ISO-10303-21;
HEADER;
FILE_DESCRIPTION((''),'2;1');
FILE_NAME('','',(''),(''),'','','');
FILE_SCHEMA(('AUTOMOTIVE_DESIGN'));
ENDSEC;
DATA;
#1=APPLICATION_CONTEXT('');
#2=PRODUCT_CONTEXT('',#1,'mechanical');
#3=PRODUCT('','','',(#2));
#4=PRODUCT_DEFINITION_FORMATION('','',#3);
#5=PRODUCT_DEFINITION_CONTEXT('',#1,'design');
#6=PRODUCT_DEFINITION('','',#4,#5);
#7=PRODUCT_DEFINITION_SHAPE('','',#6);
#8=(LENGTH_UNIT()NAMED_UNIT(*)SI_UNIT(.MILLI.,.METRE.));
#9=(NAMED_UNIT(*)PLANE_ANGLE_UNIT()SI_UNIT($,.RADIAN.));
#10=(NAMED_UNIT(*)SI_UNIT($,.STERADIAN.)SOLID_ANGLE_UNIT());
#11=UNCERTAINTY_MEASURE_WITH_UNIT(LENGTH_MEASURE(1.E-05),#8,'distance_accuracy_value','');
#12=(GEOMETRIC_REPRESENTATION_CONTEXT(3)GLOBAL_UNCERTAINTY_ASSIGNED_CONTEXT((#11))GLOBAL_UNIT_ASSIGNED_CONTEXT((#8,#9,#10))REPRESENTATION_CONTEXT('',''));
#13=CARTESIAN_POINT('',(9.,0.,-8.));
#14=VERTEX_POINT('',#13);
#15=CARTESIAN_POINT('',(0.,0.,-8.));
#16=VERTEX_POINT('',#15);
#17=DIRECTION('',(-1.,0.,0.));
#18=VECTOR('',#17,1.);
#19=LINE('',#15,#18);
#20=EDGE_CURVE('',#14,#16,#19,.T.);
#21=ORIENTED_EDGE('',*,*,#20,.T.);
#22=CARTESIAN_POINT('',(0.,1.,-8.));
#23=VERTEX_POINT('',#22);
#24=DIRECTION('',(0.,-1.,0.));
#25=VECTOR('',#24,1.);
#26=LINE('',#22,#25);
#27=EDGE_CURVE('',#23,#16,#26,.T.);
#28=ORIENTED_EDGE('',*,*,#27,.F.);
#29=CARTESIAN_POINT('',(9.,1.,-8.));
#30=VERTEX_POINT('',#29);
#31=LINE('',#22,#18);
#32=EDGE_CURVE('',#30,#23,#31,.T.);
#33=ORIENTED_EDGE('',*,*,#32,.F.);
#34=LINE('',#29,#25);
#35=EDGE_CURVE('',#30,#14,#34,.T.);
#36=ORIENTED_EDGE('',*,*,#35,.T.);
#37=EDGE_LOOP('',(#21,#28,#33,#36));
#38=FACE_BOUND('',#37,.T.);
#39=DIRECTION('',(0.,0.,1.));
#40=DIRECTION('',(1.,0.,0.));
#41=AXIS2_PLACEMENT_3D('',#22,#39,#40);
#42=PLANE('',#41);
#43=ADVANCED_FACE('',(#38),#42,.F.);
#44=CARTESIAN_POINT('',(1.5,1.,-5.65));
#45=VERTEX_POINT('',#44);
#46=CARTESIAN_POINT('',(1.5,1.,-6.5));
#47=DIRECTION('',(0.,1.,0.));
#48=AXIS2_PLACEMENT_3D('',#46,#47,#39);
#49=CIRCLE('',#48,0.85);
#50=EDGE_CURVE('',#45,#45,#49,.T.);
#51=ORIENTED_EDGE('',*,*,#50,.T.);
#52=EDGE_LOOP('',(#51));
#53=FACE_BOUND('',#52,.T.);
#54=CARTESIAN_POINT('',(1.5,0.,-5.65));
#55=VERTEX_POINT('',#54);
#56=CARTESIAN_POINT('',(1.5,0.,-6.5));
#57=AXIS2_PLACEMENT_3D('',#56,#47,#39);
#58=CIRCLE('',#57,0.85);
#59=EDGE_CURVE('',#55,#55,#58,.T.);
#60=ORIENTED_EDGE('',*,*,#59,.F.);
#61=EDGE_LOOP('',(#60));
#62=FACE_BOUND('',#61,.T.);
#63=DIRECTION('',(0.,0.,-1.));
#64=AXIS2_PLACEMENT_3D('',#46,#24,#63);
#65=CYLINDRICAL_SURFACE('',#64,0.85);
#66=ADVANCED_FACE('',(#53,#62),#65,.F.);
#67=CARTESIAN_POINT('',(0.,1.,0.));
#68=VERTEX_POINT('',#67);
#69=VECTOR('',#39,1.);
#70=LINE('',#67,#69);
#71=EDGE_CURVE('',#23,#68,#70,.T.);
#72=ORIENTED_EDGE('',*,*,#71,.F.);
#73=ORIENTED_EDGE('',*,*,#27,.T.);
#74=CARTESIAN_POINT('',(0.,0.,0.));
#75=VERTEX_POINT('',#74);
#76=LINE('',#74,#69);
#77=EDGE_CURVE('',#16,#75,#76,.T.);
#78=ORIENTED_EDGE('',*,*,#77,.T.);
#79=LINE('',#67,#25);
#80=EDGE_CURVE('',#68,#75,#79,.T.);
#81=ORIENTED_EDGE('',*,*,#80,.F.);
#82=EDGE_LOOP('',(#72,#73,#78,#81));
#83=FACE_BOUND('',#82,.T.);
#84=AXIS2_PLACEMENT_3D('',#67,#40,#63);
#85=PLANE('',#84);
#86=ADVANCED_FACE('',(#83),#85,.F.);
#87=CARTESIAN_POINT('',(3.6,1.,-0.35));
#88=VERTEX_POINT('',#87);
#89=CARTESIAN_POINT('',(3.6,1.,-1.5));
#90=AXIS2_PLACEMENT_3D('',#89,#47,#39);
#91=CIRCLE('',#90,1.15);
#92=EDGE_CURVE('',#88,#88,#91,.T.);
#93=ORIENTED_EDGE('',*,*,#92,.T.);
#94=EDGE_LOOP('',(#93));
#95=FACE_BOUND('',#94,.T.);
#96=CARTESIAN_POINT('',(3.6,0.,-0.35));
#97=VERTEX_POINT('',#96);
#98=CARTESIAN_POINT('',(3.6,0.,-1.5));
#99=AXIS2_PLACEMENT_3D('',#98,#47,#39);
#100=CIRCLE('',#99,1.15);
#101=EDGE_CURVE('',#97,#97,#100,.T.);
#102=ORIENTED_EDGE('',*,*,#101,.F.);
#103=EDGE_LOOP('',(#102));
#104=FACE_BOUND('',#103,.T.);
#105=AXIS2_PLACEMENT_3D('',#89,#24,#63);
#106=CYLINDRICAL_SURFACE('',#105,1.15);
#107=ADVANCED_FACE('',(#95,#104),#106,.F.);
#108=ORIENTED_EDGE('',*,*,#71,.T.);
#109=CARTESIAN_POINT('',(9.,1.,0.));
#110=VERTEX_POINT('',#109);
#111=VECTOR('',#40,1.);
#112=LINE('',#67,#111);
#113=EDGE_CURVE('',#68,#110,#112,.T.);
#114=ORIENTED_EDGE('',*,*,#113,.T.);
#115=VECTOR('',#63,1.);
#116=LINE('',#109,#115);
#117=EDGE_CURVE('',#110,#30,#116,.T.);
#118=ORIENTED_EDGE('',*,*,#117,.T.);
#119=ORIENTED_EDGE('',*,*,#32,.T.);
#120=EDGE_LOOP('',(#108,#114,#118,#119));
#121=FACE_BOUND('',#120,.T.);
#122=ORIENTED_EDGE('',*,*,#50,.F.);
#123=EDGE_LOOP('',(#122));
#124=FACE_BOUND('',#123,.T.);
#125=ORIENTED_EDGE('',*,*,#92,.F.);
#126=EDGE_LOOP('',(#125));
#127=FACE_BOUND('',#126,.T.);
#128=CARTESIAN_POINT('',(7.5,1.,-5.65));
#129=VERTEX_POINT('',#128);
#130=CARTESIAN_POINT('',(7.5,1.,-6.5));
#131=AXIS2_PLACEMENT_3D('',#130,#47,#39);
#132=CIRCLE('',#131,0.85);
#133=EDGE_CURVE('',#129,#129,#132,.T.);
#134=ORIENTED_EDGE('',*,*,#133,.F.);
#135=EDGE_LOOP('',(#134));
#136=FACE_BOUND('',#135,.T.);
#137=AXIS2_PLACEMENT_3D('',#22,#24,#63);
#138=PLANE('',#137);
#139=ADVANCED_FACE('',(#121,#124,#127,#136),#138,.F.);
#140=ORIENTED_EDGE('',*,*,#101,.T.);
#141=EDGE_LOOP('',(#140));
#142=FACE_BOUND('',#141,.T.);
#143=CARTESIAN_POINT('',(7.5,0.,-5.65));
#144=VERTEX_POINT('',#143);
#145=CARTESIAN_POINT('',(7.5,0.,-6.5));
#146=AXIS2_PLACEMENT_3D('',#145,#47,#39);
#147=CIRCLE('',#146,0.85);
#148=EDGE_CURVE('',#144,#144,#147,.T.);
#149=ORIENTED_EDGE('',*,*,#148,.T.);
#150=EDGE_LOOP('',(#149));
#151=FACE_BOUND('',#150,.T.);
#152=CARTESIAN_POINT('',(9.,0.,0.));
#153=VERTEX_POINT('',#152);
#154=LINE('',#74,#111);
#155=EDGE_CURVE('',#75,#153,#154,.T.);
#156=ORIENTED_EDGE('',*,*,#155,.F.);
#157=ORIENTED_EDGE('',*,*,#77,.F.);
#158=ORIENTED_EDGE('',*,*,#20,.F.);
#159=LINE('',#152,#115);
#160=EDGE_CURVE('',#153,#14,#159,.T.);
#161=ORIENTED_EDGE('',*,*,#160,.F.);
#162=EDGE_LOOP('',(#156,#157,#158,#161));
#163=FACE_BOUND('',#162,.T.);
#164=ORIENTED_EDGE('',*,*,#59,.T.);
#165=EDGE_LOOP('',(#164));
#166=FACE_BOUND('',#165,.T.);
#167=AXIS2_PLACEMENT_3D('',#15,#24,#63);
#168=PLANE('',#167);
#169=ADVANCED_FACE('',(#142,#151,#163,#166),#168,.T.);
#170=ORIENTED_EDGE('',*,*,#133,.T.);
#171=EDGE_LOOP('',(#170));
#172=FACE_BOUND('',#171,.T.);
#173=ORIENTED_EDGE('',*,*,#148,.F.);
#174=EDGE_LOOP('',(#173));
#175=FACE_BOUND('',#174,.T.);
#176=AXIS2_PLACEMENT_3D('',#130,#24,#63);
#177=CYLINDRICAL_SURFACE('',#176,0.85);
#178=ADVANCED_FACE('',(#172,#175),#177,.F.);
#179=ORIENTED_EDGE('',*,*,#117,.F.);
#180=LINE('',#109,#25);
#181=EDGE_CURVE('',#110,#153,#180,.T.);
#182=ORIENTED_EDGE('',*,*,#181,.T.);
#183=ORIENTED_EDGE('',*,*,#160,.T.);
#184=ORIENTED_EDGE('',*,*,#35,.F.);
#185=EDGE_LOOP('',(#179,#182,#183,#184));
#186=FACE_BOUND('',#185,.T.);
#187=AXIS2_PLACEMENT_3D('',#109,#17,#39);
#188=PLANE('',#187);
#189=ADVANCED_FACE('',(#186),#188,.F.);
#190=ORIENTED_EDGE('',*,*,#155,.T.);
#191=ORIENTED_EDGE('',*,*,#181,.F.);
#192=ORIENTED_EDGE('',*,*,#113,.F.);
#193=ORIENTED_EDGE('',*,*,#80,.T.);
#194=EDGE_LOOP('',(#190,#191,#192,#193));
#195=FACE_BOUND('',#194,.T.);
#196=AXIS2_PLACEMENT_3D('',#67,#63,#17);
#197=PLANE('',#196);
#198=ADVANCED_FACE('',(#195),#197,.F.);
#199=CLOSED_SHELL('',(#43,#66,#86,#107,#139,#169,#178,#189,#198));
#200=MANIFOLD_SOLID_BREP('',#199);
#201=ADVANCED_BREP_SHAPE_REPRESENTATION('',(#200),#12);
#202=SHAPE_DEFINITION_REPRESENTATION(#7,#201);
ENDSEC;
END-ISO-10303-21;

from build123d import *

# Parameters (mm, degrees)
SKETCH_1_W      = 9
SKETCH_1_H      = 8
SKETCH_1_R      = 0.85
SKETCH_1_R_2    = 1.15
EXTRUDE_1_DEPTH = 1


with BuildPart() as part:
    # Эскиз1 → Бобышка-Вытянуть1 (new body)
    with BuildSketch(Plane(origin=(0, 0, 0), x_dir=(1, 0, 0), z_dir=(0, 1, 0))):
        with Locations((4.5, 4)):
            Rectangle(SKETCH_1_W, SKETCH_1_H)
        with Locations((1.5, 6.5)):
            Circle(SKETCH_1_R, mode=Mode.SUBTRACT)
        with Locations((7.5, 6.5)):
            Circle(SKETCH_1_R, mode=Mode.SUBTRACT)
        with Locations((3.6, 1.5)):
            Circle(SKETCH_1_R_2, mode=Mode.SUBTRACT)
    extrude(amount=EXTRUDE_1_DEPTH)


solid = part.part
